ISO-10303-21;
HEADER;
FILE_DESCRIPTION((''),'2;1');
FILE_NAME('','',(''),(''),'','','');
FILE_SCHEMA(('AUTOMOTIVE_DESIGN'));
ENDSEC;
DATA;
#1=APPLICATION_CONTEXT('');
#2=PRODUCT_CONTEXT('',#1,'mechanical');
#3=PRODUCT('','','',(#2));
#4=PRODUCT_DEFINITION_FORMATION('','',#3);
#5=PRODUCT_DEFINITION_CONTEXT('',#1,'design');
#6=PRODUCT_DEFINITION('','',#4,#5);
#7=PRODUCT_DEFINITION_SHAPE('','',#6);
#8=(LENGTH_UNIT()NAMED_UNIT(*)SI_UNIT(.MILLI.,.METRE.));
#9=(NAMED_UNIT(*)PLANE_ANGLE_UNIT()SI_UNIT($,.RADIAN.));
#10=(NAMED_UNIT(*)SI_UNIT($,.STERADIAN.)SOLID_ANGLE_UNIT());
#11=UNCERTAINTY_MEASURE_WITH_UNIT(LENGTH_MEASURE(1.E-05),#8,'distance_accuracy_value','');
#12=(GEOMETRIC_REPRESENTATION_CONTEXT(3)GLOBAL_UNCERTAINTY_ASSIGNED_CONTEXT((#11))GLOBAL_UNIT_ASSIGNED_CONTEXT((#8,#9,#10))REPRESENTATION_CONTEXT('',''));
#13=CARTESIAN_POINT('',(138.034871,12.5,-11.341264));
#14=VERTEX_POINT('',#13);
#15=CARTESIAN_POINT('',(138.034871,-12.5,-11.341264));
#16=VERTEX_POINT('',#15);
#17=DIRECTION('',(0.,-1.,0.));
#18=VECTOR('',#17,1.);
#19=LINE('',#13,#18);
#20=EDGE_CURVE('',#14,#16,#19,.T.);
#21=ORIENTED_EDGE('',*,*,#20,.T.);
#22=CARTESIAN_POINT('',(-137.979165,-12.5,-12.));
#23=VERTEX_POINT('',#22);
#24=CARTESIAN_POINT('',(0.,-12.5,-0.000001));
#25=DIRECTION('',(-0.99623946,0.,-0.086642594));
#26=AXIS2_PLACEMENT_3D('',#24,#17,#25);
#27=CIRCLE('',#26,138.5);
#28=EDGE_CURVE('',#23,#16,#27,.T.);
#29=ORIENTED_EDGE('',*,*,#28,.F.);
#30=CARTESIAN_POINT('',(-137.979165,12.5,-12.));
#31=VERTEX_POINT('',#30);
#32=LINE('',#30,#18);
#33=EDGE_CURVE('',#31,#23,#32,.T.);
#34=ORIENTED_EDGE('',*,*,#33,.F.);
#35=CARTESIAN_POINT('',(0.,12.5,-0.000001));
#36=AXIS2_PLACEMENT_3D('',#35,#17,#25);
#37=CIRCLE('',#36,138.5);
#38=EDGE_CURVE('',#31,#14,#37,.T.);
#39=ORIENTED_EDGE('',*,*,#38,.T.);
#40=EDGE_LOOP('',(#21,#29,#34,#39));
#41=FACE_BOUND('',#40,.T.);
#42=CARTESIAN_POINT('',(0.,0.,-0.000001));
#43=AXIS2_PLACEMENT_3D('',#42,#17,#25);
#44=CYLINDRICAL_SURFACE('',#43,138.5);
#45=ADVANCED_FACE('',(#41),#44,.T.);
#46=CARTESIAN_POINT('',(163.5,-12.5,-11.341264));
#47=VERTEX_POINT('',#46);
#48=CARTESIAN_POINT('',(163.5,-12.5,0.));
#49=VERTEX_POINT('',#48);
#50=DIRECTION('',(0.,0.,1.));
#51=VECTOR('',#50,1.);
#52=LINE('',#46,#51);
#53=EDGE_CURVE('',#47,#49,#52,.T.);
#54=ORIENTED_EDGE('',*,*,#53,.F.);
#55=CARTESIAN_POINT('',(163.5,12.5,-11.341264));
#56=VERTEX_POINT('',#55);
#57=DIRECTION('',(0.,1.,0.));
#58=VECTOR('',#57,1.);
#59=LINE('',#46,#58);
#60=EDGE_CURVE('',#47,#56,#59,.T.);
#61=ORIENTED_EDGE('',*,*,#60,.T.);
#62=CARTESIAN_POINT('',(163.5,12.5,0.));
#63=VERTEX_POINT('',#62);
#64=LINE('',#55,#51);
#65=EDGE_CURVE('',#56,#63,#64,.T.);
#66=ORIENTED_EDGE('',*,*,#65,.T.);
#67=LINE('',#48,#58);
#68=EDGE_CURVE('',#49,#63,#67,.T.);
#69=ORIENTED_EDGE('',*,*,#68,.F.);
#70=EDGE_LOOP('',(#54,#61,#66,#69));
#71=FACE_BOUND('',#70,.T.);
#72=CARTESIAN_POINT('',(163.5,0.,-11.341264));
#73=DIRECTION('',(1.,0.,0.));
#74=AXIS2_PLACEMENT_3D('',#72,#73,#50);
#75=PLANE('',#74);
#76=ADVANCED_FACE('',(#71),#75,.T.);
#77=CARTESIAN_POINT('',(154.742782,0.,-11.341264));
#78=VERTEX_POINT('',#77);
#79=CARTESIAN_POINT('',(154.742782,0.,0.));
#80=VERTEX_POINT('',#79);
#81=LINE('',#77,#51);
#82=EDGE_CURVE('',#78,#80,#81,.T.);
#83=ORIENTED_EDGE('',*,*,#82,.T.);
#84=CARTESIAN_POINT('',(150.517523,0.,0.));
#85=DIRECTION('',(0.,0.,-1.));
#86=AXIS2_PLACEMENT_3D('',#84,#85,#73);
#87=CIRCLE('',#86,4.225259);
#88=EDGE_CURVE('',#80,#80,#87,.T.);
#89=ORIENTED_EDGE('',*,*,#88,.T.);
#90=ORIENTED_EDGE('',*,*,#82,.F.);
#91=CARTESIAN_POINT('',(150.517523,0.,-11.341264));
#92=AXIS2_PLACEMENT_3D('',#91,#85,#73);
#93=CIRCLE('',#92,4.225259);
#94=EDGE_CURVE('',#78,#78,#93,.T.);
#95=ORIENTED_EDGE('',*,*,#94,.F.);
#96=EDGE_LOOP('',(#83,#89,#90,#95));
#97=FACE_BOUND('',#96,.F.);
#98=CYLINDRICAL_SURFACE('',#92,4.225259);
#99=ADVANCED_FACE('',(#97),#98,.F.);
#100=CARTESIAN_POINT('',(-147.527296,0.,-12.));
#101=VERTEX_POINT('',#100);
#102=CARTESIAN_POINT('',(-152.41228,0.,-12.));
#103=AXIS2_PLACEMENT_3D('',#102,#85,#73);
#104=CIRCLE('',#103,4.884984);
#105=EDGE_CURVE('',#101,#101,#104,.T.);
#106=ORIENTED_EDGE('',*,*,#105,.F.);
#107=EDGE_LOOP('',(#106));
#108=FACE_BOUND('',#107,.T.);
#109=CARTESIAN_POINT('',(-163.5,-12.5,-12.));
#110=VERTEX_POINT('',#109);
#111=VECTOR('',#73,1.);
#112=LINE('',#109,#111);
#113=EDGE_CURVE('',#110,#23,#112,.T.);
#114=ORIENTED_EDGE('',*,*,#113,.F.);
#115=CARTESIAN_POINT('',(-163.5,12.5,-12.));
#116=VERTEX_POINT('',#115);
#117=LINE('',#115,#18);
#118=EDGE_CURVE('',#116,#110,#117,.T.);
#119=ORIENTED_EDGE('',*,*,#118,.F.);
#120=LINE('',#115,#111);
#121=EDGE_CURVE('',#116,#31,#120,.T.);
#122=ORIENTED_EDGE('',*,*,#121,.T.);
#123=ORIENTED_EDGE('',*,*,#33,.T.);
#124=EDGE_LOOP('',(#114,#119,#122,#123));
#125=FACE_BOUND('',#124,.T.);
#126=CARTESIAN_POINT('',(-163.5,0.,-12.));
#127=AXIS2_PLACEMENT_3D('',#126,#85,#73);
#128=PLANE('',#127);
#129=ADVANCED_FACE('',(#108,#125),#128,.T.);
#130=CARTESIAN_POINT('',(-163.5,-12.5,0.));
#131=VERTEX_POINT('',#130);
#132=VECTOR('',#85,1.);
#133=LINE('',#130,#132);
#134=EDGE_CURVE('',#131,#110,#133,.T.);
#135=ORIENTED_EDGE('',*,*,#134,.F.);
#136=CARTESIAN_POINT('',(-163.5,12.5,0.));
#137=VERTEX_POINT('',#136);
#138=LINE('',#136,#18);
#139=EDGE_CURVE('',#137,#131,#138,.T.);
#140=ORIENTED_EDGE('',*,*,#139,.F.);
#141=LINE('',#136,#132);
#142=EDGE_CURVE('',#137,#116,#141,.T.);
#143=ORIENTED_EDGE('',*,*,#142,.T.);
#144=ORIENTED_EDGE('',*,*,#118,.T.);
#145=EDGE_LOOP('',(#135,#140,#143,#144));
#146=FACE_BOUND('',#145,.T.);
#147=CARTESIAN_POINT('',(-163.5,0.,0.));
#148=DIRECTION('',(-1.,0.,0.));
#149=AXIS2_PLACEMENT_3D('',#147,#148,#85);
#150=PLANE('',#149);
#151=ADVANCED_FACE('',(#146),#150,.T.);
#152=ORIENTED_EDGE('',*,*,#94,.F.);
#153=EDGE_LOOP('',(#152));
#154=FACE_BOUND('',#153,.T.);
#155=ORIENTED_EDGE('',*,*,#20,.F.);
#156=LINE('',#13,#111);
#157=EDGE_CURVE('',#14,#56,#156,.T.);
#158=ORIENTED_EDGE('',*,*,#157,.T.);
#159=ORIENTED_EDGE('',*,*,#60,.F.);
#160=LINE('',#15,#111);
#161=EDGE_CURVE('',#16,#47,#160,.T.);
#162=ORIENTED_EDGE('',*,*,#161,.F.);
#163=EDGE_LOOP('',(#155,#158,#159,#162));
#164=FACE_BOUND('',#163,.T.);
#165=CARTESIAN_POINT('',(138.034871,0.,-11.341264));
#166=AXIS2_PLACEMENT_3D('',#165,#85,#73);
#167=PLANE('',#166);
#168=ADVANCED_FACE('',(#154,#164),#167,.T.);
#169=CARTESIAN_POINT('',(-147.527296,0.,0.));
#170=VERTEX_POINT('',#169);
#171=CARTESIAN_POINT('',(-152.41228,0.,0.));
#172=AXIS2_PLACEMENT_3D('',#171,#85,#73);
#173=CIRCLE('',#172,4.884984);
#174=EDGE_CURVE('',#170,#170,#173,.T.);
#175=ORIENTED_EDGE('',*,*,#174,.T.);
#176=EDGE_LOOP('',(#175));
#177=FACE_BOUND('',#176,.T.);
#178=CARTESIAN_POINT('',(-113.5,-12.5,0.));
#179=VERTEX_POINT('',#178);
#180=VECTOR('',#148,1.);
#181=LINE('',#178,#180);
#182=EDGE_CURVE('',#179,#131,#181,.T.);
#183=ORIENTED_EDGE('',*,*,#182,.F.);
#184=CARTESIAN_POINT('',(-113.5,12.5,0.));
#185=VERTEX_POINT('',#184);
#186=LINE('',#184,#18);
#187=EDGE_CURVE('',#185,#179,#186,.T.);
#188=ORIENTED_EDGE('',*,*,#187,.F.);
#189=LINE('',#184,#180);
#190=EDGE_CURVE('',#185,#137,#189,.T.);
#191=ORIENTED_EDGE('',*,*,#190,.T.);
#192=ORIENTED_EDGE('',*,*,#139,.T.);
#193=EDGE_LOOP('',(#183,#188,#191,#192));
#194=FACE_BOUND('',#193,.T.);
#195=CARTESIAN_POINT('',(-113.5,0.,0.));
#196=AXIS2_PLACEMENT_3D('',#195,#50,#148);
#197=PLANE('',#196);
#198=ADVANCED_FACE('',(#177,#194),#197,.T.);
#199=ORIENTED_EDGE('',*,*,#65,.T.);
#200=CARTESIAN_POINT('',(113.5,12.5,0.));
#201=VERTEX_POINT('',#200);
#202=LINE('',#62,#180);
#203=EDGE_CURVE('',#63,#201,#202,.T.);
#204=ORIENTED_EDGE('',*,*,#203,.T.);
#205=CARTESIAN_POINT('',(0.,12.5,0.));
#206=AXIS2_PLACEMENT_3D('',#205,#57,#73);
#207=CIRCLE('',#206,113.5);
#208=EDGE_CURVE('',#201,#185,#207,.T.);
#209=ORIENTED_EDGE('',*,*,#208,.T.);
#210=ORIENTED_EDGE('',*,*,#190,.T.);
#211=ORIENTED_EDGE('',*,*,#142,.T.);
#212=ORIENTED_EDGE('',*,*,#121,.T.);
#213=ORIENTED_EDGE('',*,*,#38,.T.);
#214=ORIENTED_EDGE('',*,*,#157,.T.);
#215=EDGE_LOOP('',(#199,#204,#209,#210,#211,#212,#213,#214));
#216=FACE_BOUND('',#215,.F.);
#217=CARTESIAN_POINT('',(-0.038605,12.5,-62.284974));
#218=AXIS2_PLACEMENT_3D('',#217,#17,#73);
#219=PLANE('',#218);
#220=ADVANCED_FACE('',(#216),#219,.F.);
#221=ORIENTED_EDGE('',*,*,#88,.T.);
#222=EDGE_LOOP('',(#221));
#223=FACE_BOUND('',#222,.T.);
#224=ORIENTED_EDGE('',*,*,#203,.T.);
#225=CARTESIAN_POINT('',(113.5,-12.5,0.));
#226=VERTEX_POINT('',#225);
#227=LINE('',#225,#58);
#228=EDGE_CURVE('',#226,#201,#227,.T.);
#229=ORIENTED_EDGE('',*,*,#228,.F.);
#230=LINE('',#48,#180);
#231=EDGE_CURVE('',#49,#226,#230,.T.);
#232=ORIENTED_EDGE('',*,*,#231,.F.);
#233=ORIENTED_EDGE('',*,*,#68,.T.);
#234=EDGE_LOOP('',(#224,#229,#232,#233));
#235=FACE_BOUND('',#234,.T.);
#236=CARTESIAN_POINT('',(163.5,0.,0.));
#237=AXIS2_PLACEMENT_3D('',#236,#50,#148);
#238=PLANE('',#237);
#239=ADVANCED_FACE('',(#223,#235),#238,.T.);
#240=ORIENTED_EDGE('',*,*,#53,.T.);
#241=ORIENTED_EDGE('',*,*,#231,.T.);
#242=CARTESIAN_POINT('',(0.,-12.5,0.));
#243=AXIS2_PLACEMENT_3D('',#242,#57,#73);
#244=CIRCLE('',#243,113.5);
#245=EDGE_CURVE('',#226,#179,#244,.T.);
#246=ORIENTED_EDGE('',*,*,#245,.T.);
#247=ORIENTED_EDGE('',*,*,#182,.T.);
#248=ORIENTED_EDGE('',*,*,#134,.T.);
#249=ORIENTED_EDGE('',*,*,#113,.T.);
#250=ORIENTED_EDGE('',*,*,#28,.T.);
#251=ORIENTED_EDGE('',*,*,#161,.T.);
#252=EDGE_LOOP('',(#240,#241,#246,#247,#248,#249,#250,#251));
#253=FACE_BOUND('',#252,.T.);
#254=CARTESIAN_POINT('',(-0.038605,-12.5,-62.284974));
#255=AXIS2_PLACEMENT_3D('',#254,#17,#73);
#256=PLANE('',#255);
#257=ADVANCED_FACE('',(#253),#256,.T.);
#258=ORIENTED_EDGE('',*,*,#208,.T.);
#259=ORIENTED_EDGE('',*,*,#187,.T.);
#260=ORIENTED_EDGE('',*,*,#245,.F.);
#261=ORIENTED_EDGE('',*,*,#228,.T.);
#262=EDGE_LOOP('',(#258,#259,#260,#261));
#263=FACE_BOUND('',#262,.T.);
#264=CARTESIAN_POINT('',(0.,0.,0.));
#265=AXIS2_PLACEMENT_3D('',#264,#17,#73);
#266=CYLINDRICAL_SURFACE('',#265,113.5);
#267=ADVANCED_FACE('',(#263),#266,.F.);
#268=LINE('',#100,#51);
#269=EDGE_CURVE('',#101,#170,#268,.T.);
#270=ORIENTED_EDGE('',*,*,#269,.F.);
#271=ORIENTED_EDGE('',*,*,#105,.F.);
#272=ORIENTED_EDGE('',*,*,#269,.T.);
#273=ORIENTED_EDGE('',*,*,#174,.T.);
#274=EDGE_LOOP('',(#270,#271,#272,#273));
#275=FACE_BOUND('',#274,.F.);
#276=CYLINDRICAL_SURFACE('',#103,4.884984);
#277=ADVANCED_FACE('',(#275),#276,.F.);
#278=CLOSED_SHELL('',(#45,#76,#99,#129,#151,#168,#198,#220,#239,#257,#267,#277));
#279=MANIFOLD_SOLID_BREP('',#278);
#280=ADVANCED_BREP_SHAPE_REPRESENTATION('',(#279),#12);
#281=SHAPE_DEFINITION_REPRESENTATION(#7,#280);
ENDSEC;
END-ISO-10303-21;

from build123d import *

# Parameters (mm, degrees)
F1_DEPTH = 12.5
F2_R     = 4.225259
F3_DEPTH = 11.342264
F4_R     = 4.884984
F5_DEPTH = 25


with BuildPart() as f1:
    # F0 (on Front) → F1 (new body, symmetric)
    with BuildSketch(Plane.XZ):
        with BuildLine():
            ThreePointArc((113.5, 0), (0, -113.5), (-113.5, 0))
            Line((-113.5, 0), (-138.5, 0))
            Line((-138.5, 0), (-163.5, 0))
            Line((-163.5, 0), (-163.5, -12))
            Line((-163.5, -12), (-137.979165, -12))
            ThreePointArc((-137.979165, -12), (0.330544, -138.499606), (138.034871, -11.341264))
            Line((138.034871, -11.341264), (163.5, -11.341264))
            Line((163.5, -11.341264), (163.5, 0))
            Line((163.5, 0), (138.5, 0))
            Line((138.5, 0), (113.5, 0))
        make_face()
    extrude(amount=F1_DEPTH, both=True)

    # F2 (on face) → F3 (cut, through all)
    with BuildSketch(Plane(origin=(0, 0, -11.341264), x_dir=(1, 0, 0), z_dir=(0, 0, -1))):
        with Locations((150.517523, 0)):
            Circle(F2_R)
    extrude(amount=-F3_DEPTH, mode=Mode.SUBTRACT)

    # F4 (on face) → F5 (cut)
    with BuildSketch(Plane(origin=(0, 0, -12), x_dir=(1, 0, 0), z_dir=(0, 0, -1))):
        with Locations((-152.41228, 0)):
            Circle(F4_R)
    extrude(amount=-F5_DEPTH, mode=Mode.SUBTRACT)


solid = f1.part
